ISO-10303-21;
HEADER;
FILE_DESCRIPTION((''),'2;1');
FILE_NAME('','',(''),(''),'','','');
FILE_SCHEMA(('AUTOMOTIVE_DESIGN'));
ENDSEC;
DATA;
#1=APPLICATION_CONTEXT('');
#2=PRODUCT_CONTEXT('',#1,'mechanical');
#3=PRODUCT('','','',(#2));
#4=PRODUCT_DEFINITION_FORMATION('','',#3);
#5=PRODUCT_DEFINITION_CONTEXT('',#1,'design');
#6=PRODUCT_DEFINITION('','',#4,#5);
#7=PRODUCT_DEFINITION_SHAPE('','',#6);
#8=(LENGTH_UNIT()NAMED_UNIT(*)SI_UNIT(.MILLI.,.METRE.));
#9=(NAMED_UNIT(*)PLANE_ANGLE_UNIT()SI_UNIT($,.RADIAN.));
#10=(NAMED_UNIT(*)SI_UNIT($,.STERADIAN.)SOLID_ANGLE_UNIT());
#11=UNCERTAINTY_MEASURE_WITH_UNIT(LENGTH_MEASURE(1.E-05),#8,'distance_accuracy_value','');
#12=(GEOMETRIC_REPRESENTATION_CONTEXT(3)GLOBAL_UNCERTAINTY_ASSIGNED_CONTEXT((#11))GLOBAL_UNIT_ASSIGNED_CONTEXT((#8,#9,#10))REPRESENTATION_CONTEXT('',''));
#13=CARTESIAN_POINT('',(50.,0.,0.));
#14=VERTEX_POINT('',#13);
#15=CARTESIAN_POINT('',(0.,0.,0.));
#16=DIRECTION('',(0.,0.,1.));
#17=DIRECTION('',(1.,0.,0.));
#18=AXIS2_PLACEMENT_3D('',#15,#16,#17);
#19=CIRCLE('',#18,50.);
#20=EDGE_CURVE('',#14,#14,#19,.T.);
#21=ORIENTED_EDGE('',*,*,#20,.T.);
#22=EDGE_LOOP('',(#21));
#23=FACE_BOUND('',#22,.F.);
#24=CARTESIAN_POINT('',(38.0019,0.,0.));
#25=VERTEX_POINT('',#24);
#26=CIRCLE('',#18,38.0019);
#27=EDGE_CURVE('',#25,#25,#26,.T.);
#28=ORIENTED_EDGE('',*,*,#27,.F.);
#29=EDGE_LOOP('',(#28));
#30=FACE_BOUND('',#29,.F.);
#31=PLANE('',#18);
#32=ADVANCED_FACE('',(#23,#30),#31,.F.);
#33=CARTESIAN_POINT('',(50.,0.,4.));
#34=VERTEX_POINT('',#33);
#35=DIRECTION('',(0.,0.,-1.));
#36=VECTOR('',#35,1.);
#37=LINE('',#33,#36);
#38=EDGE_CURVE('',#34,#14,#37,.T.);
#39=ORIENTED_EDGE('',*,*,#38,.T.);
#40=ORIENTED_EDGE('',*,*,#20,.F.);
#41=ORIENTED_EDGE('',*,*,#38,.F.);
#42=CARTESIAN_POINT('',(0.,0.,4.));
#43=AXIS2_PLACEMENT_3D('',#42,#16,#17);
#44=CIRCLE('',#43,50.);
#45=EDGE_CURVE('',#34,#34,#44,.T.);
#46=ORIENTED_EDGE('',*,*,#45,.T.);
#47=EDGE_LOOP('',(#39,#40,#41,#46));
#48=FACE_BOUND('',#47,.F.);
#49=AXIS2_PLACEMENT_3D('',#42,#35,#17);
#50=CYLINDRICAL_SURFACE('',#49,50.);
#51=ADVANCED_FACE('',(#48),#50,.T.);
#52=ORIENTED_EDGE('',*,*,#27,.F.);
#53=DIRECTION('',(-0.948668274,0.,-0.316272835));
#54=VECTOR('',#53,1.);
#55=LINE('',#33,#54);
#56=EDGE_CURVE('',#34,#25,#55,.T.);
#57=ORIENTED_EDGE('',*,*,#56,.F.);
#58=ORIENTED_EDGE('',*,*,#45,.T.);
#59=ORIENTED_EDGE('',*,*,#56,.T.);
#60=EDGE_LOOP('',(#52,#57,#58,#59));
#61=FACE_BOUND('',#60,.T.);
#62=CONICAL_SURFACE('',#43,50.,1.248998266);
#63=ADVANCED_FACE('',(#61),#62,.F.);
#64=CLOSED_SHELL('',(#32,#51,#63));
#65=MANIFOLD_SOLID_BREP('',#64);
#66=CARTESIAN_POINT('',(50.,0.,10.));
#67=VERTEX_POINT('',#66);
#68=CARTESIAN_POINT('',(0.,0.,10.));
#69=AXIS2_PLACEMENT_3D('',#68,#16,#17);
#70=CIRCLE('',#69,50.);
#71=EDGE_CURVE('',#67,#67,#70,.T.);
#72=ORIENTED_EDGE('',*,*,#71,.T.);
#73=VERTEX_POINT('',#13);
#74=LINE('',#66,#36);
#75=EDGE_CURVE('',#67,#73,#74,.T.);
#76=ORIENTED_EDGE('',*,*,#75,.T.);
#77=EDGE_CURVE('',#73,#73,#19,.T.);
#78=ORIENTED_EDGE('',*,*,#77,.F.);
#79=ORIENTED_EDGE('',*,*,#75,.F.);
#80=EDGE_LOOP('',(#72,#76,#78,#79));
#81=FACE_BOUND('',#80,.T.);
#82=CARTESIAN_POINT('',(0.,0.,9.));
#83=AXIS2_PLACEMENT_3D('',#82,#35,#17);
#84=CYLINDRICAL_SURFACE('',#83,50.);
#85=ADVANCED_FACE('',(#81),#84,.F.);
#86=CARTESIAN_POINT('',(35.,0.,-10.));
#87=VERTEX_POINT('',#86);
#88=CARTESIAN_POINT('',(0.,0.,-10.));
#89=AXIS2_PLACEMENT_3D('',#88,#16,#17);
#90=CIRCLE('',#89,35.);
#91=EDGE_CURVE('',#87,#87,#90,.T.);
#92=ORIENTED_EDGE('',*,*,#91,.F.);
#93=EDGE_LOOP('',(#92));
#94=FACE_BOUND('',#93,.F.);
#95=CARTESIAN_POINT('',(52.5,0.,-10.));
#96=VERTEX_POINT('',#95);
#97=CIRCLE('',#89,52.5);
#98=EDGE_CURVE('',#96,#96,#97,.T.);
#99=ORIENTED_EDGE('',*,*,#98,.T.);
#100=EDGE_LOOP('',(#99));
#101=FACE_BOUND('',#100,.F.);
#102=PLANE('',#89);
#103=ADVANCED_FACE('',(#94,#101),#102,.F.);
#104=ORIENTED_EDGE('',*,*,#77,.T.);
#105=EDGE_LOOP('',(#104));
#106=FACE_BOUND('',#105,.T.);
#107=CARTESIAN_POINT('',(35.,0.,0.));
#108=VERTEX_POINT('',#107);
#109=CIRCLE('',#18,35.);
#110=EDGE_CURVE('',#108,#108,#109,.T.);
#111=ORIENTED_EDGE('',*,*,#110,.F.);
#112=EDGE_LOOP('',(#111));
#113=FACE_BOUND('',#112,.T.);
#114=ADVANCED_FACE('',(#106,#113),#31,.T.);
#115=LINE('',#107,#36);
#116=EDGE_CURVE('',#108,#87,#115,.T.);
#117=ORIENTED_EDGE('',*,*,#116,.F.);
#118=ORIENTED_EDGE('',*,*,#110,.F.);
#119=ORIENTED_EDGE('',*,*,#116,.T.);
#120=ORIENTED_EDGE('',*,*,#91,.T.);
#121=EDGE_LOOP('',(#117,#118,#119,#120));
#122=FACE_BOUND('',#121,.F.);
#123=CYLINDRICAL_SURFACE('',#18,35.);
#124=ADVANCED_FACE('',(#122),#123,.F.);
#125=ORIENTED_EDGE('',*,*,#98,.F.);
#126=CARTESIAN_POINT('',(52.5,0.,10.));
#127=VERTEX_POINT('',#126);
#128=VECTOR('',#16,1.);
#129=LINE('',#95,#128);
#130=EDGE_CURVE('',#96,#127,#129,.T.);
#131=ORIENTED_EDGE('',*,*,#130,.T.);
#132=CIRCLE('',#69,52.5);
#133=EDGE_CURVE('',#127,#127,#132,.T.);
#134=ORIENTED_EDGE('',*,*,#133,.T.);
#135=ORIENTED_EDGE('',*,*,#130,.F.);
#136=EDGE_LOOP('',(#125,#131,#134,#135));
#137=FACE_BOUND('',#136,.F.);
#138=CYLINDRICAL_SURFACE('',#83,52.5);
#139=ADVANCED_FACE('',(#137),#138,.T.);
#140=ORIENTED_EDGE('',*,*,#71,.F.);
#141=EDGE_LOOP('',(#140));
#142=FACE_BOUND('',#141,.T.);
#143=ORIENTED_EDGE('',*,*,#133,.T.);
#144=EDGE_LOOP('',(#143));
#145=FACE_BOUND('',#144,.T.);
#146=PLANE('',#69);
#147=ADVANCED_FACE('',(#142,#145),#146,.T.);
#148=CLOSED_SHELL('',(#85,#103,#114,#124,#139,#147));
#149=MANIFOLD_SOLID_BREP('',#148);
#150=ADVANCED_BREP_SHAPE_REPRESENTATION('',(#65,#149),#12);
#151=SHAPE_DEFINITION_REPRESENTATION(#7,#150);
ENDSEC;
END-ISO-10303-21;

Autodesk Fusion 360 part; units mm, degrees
sketch "スケッチ1" plane through (0, 0, 0) normal (0, 0, 1) x (1, 0, 0)
  circle A0 centre (0, 0) radius 52.5
  circle A1 centre (0, 0) radius 50
  dimension "d1" = 105
  dimension "d2" = 100
extrude "押し出し1" add sketch "スケッチ1" along normal blind 7 makes body 1
sketch "スケッチ2" plane through (0, 0, 0) normal (0, 0, 1) x (1, 0, 0)
  circle A0 centre (0, 0) radius 52.5
  circle A1 centre (0, 0) radius 35
  dimension "d5" = 105
  dimension "d6" = 70
extrude "押し出し2" add sketch "スケッチ2" against normal blind 15 bodies 1
extrude "押し出し3" add 1 faces at (51.2851, -5.0923, 7) along direction (0, 0, 1) blind 2 on bodies 1 bodies 1
extrude "押し出し4" add 1 faces at (51.2851, -5.0923, 9) along direction (0, 0, 1) blind 1 on bodies 1 bodies 1
extrude "押し出し5" cut 1 faces at (46.4712, -2.6082, -15) along direction (0, 0, 1) blind 5 on bodies 1 bodies 1
sketch "スケッチ3" plane through (0, 0, 0) normal (0, 1, 0) x (1, 0, 0)
  line L0 (50, 0) -> (38.0019, 0)
  line L1 (50, -4) -> (50, 0)
  line L2 (50, -4) -> (38.0019, 0)
  dimension "d16" = 4
revolve "回転1" add sketch "スケッチ3" angle 360 about axis through (0, 0, 1.75) along (0, 0, 1) separate body makes body 2
